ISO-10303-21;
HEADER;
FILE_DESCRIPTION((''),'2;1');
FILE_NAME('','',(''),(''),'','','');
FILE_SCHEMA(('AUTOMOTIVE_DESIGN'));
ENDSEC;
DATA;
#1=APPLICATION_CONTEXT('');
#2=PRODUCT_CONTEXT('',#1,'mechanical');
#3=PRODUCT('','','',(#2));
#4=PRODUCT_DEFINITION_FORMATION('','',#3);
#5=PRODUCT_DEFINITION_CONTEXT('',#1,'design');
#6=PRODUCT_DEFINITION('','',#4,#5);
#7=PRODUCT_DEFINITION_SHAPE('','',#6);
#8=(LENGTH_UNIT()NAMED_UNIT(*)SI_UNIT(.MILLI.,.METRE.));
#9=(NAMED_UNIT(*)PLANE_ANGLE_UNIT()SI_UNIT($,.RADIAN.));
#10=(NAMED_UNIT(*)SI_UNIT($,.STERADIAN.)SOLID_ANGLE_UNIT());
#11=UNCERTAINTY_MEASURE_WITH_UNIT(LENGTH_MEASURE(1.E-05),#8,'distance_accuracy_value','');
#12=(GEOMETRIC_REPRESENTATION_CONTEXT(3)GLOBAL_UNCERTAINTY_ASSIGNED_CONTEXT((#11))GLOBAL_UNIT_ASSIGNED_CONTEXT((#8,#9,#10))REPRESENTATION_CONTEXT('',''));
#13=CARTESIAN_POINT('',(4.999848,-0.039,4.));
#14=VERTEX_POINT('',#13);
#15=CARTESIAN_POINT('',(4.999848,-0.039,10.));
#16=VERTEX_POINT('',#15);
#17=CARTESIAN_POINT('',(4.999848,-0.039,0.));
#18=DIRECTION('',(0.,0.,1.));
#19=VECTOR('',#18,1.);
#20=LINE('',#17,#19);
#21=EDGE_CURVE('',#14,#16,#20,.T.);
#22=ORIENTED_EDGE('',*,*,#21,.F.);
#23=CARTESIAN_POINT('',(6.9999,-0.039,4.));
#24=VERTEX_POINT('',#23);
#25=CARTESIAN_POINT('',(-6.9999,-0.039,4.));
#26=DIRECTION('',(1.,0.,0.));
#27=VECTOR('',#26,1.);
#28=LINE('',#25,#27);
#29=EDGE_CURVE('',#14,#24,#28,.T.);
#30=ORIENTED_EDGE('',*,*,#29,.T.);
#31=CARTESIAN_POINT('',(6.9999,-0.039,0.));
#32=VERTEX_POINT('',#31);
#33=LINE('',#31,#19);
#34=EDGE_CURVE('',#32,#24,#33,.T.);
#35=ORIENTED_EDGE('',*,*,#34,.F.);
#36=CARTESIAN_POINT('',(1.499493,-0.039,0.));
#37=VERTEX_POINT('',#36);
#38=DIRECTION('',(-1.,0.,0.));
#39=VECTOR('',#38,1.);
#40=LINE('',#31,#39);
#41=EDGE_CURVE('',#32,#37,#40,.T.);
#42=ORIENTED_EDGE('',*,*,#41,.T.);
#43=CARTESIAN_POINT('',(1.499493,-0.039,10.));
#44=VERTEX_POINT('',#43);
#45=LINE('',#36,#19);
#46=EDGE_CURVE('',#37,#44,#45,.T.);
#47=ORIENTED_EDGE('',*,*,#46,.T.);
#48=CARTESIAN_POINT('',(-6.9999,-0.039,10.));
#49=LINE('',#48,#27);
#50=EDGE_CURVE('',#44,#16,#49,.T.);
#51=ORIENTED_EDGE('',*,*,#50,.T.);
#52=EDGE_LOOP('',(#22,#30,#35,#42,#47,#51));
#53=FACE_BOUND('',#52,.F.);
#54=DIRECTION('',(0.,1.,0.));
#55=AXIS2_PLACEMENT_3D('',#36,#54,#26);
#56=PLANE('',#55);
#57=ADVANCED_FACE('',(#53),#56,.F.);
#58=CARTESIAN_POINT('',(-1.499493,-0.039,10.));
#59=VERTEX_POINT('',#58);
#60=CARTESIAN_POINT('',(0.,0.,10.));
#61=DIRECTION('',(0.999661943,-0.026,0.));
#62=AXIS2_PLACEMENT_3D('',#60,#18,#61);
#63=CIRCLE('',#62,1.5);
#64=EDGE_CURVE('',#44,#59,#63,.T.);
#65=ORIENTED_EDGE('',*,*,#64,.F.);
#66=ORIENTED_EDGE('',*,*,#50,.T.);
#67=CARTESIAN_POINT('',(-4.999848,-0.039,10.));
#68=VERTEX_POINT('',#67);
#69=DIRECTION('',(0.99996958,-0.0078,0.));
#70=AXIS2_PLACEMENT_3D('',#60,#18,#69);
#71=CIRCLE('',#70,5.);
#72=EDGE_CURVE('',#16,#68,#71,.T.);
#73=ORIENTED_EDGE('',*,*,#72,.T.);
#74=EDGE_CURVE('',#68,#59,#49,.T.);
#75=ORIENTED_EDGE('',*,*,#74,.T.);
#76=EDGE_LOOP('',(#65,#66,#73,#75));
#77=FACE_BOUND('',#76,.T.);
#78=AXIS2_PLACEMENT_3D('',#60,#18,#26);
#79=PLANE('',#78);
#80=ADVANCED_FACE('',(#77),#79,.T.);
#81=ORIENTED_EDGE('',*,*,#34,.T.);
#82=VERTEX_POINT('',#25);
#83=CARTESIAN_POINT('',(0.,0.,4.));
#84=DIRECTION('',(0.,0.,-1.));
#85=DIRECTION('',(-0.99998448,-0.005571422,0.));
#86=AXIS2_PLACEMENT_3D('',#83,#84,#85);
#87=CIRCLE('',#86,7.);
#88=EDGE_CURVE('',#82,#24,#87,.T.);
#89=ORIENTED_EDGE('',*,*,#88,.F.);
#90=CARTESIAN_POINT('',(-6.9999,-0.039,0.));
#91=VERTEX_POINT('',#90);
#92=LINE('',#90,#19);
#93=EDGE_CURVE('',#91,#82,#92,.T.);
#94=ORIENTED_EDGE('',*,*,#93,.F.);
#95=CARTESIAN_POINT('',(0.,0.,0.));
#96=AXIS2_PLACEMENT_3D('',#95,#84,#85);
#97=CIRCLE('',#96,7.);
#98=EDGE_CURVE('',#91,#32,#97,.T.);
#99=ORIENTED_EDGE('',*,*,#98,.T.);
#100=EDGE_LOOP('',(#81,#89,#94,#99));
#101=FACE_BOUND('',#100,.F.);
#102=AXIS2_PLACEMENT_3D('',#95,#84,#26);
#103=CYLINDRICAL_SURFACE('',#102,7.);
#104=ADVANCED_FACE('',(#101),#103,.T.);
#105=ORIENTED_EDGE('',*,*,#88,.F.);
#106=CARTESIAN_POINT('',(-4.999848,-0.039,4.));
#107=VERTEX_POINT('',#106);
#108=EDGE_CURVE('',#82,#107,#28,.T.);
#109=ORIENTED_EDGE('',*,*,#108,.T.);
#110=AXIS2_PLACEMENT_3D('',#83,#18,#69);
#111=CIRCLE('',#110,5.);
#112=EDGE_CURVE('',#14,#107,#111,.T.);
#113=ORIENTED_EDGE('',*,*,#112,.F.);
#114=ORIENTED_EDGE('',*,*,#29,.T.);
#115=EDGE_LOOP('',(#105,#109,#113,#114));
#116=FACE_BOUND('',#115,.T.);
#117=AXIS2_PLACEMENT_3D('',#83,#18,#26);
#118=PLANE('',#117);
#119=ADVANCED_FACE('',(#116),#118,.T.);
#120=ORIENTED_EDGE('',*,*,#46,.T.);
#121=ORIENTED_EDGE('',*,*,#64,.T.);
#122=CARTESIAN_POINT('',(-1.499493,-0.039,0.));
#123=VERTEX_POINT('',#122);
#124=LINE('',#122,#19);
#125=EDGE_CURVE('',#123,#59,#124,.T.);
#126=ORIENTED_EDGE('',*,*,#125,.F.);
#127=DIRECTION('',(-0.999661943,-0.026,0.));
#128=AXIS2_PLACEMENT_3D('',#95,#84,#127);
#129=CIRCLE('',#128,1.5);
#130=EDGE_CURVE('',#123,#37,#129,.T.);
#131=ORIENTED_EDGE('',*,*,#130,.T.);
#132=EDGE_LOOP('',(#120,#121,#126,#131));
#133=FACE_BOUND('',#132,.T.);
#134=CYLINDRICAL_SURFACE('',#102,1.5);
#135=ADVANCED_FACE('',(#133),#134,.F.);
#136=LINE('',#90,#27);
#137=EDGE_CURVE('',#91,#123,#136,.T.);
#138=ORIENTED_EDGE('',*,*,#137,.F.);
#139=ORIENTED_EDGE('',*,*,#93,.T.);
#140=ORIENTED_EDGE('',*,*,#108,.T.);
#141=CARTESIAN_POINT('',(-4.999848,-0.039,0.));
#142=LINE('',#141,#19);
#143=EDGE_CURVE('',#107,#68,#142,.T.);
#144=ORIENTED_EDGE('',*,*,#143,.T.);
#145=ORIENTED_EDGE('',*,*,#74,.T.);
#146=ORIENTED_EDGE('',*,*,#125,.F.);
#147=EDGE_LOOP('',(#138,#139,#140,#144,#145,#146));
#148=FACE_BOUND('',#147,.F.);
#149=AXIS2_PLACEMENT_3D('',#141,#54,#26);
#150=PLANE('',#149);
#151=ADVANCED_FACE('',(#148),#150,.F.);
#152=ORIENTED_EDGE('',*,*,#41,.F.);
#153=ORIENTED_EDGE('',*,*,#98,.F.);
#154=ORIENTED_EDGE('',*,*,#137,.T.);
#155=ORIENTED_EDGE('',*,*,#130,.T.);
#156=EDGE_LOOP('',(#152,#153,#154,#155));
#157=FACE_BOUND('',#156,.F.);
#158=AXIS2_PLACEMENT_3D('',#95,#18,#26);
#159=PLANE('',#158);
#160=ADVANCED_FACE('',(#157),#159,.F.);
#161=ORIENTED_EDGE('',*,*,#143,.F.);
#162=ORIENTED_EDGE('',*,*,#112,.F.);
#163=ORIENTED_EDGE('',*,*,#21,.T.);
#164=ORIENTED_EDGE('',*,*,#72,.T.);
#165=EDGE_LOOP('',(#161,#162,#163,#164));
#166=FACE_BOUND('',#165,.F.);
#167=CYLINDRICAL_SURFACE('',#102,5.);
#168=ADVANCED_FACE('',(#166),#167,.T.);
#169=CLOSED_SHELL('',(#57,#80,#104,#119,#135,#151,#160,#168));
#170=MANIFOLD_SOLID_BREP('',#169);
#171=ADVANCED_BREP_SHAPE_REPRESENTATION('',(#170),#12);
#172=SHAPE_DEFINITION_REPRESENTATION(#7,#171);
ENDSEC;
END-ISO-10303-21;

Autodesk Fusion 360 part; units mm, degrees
sketch "Sketch1" plane through (0, 0, 0) normal (0, 0, 1) x (1, 0, 0)
  circle A0 centre (0, 0) radius 1.5
  circle A1 centre (0, 0) radius 5
  circle A2 centre (0, 0) radius 7
  line L0 (-6.9999, -0.039) -> (6.9999, -0.039)
  dimension "d1" = 3
  dimension "d2" = 10
  dimension "d3" = 14
extrude "Extrude1" add sketch "Sketch1" along normal blind 10 contours A0 A1 L0 picked at (-1.1427, 3.6492)
extrude "Extrude2" add sketch "Sketch1" along normal blind 4 contours A1 A2 L0 picked at (-6.2922, 0.5587)
